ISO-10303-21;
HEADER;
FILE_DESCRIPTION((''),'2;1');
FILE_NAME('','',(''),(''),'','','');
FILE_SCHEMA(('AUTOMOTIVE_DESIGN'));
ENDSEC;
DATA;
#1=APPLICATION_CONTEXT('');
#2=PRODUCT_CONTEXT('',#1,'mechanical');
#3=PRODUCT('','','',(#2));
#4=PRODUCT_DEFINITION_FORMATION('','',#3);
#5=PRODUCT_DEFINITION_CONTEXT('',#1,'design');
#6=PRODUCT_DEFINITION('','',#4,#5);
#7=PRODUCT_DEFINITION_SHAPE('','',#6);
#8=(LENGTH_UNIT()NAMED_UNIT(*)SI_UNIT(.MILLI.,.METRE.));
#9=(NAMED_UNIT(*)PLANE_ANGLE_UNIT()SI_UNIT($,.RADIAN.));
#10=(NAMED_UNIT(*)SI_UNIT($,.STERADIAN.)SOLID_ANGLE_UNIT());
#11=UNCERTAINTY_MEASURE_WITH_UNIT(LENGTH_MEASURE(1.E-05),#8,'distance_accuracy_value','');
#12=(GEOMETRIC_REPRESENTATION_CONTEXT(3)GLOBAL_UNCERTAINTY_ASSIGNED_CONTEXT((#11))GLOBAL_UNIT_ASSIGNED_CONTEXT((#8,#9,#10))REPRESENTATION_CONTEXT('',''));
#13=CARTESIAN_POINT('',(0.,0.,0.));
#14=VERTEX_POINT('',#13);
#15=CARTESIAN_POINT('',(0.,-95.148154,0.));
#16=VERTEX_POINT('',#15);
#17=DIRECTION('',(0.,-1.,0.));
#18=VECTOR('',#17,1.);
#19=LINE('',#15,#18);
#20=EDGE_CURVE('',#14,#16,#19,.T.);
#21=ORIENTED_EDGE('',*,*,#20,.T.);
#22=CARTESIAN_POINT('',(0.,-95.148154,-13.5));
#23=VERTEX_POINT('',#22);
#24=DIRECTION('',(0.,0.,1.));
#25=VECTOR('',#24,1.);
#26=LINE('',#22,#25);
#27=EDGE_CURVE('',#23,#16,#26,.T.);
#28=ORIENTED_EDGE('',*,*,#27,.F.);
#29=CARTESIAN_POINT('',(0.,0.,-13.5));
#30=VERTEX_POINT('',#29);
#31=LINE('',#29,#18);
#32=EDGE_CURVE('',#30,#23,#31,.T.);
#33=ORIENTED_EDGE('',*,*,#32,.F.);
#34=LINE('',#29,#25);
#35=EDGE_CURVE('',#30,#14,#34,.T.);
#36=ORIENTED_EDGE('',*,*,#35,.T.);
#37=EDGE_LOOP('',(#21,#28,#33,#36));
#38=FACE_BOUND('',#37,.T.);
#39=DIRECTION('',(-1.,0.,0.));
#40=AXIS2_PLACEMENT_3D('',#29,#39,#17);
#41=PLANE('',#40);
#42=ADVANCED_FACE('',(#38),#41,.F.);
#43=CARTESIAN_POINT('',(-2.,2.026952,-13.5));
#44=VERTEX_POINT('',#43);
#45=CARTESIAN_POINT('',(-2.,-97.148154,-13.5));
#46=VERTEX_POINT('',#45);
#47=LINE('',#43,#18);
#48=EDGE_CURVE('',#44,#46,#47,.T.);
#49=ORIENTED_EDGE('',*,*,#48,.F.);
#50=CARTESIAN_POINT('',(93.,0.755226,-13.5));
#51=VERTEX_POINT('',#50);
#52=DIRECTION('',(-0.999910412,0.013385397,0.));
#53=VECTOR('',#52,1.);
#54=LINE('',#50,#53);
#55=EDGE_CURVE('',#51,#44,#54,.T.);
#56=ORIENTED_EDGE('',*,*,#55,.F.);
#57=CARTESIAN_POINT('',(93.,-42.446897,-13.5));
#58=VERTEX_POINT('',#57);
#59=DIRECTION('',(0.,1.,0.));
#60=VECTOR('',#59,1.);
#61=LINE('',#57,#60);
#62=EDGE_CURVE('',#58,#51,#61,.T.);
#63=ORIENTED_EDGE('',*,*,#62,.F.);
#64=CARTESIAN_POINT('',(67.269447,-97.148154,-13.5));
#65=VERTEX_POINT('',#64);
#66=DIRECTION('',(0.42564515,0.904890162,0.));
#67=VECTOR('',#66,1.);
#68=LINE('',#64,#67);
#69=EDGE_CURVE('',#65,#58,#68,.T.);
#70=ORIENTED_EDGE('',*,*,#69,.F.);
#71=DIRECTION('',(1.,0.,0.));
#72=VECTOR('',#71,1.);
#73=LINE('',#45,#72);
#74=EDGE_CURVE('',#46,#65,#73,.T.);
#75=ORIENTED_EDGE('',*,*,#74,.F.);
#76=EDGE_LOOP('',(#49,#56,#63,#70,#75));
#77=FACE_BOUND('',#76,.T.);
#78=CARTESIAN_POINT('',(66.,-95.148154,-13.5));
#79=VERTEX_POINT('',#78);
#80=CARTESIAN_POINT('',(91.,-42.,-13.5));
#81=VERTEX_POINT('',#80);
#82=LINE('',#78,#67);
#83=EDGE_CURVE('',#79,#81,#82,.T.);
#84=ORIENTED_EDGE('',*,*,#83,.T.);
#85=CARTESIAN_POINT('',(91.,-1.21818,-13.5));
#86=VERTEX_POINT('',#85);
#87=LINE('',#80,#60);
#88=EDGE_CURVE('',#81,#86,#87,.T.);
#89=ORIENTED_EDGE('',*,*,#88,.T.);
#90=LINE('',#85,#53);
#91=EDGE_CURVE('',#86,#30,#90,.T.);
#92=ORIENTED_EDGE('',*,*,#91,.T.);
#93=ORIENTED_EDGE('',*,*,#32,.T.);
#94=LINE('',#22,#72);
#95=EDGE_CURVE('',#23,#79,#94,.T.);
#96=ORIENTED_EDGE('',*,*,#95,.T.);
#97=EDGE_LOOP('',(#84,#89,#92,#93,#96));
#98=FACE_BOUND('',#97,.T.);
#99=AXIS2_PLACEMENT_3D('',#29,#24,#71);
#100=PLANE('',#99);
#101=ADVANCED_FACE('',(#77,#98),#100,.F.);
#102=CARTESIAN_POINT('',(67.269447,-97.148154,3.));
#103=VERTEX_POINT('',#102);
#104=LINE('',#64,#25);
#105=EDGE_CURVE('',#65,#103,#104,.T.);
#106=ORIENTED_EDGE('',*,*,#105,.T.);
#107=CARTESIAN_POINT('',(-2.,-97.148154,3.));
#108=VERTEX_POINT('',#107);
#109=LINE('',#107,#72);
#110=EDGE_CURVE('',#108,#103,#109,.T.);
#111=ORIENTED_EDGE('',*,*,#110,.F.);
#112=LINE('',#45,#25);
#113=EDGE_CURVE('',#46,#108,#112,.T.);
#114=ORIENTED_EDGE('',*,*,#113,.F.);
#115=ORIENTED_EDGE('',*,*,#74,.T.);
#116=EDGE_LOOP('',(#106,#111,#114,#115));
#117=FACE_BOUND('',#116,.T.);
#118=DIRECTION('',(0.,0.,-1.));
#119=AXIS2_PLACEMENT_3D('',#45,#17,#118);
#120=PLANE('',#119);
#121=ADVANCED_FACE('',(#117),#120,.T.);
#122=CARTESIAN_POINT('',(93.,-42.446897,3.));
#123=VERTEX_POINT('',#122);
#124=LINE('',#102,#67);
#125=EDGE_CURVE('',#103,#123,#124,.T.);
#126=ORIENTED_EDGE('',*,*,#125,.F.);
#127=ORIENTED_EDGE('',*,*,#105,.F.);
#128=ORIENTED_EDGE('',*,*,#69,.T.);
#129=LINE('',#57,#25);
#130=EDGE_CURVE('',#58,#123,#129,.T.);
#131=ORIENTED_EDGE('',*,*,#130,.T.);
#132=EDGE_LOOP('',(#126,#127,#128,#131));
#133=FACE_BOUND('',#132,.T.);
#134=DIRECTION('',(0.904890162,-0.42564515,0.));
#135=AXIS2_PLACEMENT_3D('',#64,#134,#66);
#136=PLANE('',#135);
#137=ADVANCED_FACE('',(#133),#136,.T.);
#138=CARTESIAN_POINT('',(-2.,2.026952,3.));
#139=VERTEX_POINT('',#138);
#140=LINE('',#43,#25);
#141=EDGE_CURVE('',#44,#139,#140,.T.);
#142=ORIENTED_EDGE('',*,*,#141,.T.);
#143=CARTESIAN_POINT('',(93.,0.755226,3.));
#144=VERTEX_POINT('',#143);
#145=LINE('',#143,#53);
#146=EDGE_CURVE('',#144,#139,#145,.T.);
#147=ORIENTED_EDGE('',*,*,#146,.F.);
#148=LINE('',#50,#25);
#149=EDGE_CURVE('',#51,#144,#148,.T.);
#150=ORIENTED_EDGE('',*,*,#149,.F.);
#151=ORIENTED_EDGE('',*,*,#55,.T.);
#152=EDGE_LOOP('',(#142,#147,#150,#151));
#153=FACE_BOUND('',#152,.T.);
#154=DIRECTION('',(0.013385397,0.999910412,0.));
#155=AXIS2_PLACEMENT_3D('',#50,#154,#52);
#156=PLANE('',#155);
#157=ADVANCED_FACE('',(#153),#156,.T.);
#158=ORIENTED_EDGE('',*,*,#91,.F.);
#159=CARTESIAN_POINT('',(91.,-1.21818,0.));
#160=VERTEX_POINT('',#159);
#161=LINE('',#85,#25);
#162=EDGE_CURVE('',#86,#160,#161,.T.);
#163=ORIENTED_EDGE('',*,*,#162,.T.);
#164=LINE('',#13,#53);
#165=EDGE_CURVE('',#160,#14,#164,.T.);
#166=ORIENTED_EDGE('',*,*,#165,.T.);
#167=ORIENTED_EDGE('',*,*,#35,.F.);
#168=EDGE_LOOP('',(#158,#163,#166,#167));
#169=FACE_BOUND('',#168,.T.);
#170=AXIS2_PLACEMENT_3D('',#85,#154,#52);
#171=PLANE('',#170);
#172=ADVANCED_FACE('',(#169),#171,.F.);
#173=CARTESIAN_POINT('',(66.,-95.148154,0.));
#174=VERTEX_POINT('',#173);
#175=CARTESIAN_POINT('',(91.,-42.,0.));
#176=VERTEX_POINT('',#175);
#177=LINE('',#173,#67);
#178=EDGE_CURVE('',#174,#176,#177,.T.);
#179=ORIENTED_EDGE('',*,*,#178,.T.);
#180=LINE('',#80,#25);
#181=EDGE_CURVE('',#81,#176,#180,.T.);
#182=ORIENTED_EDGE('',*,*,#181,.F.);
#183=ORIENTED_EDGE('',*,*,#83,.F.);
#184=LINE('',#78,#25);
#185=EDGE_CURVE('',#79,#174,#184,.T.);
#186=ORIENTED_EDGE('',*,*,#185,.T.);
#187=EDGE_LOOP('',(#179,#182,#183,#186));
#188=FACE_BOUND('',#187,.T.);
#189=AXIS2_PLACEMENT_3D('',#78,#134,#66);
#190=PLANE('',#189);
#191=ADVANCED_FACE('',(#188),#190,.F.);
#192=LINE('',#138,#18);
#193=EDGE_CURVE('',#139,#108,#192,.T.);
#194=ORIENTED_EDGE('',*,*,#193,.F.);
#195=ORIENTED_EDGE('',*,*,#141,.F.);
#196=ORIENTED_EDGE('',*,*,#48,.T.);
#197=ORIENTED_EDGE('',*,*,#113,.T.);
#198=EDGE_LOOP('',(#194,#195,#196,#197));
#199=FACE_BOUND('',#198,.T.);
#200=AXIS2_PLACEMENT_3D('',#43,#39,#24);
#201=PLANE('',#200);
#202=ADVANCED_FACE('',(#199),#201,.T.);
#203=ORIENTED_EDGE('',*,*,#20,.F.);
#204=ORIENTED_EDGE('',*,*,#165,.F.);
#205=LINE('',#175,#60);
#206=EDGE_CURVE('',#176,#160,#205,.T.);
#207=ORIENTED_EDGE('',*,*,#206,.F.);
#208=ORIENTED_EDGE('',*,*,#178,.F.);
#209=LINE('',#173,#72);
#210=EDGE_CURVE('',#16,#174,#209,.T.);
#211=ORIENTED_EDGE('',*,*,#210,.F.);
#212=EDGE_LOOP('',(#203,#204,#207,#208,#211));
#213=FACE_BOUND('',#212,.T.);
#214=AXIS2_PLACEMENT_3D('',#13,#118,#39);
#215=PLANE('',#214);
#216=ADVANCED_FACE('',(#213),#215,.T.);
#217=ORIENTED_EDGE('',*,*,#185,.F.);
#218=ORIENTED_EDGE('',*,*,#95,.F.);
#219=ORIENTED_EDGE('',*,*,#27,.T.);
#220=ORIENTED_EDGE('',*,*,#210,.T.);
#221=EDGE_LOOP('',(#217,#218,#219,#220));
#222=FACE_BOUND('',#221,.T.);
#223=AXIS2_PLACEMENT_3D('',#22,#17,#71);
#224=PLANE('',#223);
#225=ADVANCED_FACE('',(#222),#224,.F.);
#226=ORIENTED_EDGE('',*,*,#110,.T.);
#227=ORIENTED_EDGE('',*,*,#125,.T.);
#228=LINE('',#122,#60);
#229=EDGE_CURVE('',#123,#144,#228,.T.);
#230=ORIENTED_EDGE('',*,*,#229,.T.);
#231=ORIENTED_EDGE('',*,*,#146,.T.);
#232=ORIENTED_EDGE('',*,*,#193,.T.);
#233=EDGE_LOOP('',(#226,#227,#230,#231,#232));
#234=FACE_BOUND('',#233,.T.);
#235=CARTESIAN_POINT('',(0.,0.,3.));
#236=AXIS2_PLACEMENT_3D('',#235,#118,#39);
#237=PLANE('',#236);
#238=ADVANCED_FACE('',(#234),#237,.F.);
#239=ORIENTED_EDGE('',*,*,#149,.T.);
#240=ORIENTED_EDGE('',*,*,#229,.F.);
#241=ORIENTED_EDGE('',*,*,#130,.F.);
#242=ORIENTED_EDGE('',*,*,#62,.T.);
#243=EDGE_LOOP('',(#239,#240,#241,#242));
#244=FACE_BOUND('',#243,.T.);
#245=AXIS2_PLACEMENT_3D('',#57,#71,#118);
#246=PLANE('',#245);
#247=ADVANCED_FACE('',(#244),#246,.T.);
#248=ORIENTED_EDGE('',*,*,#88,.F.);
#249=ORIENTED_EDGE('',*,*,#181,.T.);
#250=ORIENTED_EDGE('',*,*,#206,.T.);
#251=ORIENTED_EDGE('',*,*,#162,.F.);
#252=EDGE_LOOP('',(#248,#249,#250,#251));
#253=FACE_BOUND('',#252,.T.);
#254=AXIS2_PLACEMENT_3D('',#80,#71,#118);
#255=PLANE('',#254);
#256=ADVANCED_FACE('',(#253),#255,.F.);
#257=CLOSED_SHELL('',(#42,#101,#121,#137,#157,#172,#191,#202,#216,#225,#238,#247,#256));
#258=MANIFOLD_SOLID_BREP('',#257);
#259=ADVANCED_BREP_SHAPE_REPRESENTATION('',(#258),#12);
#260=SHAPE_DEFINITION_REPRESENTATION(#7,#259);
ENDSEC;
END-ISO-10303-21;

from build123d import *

# Parameters (mm, degrees)
BOSS_EXTRUDE1_DEPTH = 3
BOSS_EXTRUDE2_DEPTH = 16.5


with BuildPart() as part:
    # Sketch1 → Boss-Extrude1 (new body)
    with BuildSketch(Plane.XY):
        Polygon((0, 0), (91, -1.218180248), (91, -42), (66, -95.148154165), (0, -95.148154165), (0, -42), align=None)
    extrude(amount=BOSS_EXTRUDE1_DEPTH)

    # Sketch2 → Boss-Extrude2 (add)
    with BuildSketch(Plane.XY.offset(3)):
        Polygon((-2, -97.148154165), (67.269446555, -97.148154165), (93, -42.446897316), (93, 0.755225752), (-2, 2.026952385), align=None)
        Polygon((66, -95.148154165), (91, -42), (91, -1.218180248), (0, 0), (0, -95.148154165), align=None, mode=Mode.SUBTRACT)
    extrude(amount=-BOSS_EXTRUDE2_DEPTH)


solid = part.part
